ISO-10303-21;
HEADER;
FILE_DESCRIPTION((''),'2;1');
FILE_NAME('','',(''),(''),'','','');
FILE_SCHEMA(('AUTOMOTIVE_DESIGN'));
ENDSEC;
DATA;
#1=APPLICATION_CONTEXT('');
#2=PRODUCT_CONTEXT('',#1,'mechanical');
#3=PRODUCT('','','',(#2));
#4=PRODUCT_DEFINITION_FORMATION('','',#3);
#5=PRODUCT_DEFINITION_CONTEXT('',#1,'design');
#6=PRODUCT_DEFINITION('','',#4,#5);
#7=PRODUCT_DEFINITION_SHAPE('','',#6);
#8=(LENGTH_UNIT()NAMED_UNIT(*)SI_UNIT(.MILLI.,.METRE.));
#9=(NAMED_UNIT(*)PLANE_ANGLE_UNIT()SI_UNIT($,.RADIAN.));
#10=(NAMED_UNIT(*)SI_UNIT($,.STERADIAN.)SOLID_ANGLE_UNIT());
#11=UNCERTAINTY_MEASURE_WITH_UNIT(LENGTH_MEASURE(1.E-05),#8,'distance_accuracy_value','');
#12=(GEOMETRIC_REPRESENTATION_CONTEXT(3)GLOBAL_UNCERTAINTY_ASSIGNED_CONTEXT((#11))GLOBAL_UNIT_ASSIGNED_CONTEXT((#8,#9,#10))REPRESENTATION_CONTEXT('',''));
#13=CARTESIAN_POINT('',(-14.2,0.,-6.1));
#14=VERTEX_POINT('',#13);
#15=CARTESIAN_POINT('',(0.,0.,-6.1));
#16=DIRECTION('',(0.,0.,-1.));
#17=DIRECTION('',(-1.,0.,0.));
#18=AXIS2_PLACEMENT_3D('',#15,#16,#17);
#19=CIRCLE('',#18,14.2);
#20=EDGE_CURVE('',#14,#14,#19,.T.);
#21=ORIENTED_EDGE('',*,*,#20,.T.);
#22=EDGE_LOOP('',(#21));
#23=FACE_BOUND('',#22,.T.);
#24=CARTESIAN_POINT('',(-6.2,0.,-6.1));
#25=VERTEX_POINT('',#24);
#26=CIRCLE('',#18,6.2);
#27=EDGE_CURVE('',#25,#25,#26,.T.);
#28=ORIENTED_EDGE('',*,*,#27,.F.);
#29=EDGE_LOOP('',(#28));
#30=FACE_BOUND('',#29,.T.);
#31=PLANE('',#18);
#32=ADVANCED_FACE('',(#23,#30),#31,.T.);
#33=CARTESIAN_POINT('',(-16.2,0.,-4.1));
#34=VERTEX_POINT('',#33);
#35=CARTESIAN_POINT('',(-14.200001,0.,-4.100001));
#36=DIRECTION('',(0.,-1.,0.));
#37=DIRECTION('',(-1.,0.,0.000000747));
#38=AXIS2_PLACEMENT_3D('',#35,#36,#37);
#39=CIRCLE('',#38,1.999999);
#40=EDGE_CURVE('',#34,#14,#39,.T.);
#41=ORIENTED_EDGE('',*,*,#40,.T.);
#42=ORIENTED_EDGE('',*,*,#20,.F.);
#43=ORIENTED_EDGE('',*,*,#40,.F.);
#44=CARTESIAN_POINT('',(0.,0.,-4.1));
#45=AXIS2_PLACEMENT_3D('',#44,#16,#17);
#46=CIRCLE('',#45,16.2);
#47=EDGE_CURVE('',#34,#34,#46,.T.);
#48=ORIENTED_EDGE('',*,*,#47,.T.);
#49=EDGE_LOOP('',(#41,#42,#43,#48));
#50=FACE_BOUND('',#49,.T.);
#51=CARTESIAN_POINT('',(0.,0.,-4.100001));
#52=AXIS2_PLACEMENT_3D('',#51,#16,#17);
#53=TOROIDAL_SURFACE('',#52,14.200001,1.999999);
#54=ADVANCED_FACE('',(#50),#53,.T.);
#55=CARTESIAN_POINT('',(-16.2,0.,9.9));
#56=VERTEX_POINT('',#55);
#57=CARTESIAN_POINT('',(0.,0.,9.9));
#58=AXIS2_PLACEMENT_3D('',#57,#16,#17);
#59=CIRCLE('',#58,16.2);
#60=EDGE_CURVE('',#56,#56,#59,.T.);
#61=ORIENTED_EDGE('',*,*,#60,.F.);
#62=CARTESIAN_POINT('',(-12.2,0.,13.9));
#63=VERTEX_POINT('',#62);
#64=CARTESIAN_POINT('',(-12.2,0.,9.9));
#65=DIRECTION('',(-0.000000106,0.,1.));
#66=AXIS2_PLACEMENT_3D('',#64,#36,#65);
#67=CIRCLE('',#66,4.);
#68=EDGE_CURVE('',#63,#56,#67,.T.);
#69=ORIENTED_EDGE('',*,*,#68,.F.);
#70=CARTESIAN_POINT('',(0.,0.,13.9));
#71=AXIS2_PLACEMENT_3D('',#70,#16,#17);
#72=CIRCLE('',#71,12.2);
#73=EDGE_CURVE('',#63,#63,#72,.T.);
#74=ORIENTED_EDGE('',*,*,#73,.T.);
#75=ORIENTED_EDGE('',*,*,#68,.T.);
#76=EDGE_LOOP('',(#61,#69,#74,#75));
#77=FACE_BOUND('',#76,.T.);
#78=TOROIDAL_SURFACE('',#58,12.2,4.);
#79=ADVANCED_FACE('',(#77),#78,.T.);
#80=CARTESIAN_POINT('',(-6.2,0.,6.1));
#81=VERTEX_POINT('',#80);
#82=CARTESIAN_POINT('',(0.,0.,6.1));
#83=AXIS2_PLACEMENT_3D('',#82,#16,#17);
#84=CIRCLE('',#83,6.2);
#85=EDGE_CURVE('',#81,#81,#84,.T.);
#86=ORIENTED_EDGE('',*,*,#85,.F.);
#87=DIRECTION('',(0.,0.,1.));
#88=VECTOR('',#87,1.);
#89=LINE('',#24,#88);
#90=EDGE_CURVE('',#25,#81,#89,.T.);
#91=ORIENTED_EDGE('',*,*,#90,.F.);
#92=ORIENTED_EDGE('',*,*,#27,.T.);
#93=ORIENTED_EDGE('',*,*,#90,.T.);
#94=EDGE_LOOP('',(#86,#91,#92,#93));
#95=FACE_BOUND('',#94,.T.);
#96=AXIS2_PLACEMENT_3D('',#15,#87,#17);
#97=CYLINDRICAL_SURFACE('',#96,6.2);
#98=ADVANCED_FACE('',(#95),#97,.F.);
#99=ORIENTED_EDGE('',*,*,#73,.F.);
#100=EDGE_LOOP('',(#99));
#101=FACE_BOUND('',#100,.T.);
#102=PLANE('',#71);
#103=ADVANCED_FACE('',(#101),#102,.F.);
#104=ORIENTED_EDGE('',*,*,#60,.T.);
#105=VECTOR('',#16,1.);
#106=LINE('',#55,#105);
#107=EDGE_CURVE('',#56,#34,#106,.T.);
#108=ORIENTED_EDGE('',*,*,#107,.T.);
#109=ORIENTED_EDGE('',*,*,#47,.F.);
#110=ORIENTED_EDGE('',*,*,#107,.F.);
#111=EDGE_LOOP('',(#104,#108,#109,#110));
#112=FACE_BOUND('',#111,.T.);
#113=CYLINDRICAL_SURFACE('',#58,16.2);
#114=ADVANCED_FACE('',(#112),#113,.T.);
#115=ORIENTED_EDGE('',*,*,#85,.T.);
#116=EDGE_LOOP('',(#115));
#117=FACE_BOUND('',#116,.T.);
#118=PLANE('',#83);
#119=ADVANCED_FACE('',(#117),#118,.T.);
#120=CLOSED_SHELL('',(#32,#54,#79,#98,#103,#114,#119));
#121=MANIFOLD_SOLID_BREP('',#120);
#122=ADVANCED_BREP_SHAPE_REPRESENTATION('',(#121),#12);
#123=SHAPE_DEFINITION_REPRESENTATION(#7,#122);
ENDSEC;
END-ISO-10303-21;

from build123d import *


with BuildPart() as f1:
    # F0 (on Front) → F1 (revolve)
    with BuildSketch(Plane.XZ):
        with BuildLine():
            Line((-6.2, 6.1), (0, 6.1))
            Line((0, 6.1), (0, 13.9))
            Line((0, 13.9), (-12.2, 13.9))
            ThreePointArc((-12.2, 13.9), (-15.028427, 12.728427), (-16.2, 9.9))
            Line((-16.2, 9.9), (-16.2, 6.1))
            Line((-16.2, 6.1), (-6.2, 6.1))
        make_face()
        with BuildLine():
            Line((-6.2, -6.1), (-6.2, 6.1))
            Line((-6.2, 6.1), (-16.2, 6.1))
            Line((-16.2, 6.1), (-16.2, -4.1))
            ThreePointArc((-16.2, -4.1), (-15.614214, -5.514214), (-14.2, -6.1))
            Line((-14.2, -6.1), (-6.2, -6.1))
        make_face()
    revolve(axis=Axis((0, 0, 10), (0, 0, -1)))


solid = f1.part
